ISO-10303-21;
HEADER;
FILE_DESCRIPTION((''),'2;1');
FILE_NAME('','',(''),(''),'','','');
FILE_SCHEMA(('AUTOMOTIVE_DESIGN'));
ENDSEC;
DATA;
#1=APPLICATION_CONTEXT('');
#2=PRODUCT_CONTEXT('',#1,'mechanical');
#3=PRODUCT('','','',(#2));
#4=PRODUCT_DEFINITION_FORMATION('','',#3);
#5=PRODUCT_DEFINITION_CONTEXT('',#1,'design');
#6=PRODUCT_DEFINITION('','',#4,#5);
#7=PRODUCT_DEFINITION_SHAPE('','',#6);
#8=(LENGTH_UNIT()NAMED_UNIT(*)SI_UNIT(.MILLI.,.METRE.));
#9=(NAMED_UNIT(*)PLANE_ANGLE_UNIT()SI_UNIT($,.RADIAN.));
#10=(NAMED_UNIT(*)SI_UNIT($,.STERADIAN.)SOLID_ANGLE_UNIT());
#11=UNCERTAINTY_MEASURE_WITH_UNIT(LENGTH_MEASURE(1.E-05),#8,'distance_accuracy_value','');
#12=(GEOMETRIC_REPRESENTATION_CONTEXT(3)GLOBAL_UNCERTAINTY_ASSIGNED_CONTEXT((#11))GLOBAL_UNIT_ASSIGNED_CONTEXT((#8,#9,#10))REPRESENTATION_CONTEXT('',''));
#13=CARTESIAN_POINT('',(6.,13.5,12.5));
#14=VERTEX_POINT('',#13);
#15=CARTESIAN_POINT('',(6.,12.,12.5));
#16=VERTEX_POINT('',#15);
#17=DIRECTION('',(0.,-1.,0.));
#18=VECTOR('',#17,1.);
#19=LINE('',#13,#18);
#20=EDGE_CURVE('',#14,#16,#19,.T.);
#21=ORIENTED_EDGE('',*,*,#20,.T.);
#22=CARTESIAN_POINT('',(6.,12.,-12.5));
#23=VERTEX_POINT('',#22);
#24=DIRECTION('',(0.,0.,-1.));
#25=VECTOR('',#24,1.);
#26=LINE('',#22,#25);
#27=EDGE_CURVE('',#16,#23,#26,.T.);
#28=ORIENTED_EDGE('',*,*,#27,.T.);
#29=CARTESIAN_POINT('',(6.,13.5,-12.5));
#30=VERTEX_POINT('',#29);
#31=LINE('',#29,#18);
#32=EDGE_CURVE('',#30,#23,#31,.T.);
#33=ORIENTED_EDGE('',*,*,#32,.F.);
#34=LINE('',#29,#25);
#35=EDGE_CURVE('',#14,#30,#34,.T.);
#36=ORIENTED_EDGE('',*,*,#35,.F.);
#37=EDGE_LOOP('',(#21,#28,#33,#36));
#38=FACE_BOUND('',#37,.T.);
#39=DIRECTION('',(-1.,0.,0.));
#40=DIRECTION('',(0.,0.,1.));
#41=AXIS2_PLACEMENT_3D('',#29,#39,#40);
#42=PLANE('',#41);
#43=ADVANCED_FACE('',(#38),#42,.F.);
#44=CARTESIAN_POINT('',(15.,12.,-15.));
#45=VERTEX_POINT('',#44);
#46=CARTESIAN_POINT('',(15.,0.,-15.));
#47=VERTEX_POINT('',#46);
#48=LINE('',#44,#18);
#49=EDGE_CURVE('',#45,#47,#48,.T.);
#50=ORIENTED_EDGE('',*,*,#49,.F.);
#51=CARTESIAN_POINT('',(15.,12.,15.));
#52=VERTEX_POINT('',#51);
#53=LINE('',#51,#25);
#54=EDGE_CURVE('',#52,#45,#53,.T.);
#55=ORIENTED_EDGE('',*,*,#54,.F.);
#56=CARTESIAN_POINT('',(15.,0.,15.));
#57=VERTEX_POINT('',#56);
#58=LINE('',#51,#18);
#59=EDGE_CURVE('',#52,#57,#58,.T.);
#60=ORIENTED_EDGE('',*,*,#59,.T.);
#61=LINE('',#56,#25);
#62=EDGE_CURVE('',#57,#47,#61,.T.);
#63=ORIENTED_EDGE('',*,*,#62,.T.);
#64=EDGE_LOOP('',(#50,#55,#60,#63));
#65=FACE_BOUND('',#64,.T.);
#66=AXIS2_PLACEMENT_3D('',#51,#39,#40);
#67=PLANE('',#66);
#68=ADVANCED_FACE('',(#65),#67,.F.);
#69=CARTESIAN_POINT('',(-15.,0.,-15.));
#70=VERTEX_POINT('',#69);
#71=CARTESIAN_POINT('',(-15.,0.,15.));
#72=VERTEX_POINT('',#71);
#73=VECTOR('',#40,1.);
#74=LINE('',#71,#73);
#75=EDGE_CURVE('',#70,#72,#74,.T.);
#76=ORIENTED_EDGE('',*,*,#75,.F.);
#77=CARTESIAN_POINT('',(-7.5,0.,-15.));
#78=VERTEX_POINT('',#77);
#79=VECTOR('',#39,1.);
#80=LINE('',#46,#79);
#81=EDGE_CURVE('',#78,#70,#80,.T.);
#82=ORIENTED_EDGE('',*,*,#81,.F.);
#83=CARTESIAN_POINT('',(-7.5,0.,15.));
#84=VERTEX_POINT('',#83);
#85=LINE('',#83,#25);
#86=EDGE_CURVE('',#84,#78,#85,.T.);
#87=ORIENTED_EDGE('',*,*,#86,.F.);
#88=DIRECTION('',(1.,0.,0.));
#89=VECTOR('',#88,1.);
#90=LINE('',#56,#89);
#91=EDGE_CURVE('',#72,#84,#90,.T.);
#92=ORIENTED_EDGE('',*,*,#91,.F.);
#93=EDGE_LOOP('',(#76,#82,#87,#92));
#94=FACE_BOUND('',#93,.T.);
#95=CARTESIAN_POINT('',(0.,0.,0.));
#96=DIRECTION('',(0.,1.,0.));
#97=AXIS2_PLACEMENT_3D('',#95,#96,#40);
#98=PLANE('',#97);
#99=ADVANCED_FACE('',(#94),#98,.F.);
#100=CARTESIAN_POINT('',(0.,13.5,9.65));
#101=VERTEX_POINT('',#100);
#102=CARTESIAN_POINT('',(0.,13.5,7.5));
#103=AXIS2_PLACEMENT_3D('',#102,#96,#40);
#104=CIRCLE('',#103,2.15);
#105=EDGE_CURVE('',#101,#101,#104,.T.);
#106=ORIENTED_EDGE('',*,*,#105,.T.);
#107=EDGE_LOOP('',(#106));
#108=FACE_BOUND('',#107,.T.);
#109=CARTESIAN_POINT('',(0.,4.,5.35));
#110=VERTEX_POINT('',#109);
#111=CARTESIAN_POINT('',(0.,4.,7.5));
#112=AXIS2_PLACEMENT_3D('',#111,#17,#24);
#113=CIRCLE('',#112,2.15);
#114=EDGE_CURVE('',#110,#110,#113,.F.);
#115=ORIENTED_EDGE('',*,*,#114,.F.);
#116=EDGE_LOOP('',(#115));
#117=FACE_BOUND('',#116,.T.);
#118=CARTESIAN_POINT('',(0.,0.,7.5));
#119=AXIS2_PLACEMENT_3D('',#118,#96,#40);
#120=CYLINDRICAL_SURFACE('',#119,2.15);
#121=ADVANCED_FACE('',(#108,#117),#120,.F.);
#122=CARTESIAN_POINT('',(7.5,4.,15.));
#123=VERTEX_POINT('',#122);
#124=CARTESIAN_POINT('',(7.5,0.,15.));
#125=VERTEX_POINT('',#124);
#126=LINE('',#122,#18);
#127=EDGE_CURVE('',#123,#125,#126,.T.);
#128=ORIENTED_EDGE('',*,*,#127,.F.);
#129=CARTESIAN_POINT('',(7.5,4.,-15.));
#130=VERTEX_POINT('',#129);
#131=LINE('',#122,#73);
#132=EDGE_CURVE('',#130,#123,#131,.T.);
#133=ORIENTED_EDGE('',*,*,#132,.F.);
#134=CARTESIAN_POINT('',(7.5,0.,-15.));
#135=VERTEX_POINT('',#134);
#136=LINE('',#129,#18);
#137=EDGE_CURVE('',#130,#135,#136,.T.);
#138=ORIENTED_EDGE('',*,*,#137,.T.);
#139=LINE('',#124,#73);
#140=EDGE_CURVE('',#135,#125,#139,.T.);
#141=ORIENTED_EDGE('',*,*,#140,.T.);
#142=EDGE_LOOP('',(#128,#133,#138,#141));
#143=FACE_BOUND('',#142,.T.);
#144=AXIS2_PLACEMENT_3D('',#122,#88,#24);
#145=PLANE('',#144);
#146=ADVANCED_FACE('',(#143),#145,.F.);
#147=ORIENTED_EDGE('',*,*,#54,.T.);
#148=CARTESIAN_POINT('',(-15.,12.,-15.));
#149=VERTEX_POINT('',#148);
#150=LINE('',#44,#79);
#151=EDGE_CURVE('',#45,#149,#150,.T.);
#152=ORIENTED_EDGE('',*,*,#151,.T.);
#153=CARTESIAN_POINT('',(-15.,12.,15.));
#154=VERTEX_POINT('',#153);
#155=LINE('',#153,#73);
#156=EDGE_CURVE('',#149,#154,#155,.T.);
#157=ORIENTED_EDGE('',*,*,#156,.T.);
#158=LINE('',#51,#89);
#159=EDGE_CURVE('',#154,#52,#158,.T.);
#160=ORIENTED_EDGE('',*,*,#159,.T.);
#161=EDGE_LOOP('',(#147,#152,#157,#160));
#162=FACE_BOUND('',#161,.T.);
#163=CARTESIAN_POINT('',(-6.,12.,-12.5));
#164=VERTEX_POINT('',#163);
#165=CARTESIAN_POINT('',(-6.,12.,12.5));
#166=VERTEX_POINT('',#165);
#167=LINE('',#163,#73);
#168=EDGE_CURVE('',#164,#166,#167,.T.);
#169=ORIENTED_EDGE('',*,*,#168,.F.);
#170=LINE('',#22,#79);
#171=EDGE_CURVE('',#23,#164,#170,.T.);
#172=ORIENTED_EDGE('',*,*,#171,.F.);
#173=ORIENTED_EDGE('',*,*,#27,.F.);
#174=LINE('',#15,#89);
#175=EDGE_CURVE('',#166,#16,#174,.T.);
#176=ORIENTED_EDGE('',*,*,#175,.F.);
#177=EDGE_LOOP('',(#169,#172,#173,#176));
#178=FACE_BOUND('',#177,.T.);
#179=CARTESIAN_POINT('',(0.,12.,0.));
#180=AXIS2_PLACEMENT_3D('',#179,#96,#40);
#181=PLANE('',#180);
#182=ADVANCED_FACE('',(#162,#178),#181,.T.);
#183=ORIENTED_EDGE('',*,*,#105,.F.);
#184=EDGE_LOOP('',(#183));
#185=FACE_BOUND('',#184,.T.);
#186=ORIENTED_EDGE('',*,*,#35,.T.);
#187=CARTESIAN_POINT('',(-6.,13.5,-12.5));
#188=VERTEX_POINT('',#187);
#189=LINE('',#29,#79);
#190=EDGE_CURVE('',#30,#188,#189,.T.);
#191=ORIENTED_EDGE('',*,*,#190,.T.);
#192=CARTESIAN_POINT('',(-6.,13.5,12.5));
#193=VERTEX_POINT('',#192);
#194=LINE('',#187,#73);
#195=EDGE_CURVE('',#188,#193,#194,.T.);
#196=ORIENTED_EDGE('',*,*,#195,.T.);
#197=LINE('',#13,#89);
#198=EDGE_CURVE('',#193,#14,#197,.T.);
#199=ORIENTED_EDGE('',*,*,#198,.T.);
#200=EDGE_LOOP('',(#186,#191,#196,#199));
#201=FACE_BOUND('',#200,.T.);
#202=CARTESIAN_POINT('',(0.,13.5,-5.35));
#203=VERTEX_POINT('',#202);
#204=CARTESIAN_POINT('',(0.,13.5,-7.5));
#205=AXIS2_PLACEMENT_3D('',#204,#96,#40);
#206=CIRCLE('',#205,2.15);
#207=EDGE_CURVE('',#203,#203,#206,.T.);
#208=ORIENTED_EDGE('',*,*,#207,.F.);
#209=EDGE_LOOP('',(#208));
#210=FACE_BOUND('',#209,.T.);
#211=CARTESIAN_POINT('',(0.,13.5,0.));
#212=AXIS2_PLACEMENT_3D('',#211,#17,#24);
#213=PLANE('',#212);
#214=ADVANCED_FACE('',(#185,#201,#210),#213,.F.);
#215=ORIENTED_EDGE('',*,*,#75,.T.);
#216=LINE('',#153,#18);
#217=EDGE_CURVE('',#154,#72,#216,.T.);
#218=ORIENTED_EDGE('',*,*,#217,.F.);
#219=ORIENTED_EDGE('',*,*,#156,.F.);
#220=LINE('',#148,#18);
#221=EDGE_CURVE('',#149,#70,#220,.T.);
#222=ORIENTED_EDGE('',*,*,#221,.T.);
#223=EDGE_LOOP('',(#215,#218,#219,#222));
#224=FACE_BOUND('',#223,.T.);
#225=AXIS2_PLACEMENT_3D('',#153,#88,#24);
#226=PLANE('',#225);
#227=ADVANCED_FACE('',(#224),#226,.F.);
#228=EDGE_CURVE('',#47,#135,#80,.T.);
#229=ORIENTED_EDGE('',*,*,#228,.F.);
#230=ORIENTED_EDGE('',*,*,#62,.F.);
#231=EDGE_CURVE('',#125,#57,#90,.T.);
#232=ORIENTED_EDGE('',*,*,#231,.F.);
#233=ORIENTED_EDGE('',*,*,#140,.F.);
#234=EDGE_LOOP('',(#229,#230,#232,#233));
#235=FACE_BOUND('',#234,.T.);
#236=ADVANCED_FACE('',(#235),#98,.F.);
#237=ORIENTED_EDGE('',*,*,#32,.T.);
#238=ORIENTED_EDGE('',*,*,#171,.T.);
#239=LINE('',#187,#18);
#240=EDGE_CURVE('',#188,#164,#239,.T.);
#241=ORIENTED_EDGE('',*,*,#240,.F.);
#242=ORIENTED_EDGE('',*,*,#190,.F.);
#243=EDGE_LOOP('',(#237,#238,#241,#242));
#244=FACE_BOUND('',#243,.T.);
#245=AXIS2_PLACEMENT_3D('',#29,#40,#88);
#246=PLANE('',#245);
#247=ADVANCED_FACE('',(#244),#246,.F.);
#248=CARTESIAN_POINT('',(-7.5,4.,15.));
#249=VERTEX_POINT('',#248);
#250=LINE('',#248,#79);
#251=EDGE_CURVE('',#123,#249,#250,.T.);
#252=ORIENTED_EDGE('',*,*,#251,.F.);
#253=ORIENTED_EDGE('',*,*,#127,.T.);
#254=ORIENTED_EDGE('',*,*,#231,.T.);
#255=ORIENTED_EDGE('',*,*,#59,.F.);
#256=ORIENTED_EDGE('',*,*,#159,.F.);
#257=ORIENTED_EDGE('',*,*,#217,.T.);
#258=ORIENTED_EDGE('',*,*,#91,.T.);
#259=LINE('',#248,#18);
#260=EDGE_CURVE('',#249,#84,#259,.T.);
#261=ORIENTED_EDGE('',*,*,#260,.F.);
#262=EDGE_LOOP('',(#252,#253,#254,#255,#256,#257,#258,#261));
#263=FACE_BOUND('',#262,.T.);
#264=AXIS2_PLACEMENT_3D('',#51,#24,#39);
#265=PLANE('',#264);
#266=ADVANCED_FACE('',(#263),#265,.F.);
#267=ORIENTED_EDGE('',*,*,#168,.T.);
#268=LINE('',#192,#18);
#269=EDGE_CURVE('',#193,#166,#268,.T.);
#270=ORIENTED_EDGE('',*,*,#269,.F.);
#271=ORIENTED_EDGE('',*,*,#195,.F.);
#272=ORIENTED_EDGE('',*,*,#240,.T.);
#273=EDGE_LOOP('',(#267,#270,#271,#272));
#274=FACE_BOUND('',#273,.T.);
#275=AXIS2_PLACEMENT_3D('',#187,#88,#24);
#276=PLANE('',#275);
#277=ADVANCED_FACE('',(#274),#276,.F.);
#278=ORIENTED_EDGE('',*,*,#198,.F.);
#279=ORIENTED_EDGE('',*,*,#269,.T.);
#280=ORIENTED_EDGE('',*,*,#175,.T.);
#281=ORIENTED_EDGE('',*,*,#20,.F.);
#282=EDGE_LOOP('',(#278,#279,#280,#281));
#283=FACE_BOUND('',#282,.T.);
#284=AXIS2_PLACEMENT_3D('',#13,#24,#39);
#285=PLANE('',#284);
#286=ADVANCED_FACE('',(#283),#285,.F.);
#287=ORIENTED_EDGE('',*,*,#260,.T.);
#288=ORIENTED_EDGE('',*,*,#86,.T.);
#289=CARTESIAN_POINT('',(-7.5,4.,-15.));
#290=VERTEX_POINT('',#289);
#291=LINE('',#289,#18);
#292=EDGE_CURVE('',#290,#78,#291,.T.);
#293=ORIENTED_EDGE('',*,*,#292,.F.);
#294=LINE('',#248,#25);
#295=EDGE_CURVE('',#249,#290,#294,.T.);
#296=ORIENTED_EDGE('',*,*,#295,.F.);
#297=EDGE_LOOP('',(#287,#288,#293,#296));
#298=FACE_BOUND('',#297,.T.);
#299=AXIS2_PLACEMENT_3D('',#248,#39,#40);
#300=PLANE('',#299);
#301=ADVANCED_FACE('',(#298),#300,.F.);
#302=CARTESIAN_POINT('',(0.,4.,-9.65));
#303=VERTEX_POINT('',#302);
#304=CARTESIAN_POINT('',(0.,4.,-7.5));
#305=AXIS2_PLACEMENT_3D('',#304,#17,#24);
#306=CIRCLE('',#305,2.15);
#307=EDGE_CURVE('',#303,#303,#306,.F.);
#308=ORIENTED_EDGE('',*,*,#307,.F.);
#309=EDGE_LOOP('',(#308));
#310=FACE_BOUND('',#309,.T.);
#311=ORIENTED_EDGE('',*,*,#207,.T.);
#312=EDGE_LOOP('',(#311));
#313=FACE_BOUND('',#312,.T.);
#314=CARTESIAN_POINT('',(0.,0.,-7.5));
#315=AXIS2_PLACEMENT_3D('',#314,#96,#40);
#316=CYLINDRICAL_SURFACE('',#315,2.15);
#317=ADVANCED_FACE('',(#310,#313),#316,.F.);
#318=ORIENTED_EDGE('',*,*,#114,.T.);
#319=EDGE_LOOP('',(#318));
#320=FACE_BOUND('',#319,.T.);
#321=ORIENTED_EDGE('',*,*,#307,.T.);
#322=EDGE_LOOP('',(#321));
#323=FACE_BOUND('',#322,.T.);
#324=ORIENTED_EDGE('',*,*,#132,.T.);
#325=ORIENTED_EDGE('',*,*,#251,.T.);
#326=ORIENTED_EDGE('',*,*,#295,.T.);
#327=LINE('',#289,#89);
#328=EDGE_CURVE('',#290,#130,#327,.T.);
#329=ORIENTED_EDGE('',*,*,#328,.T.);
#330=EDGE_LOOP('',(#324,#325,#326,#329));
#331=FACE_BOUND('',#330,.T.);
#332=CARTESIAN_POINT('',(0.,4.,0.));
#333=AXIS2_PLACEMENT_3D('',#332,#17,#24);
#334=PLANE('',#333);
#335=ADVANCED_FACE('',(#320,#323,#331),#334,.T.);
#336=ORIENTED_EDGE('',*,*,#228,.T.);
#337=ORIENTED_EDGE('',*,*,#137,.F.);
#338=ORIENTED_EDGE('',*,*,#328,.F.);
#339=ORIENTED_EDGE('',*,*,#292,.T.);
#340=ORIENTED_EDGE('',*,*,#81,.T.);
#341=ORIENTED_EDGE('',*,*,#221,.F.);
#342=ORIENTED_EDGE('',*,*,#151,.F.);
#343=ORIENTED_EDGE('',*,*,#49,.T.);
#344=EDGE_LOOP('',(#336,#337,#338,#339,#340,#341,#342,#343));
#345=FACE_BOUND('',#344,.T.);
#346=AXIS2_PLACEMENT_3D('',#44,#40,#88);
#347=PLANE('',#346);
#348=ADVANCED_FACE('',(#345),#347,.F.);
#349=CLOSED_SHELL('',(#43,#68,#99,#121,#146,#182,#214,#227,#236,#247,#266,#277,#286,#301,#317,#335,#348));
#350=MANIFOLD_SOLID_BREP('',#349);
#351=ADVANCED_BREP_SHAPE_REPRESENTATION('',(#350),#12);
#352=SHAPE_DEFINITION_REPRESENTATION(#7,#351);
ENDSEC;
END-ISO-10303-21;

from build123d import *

# Parameters (mm, degrees)
SKETCH1_W           = 30
SKETCH1_H           = 30
BOSS_EXTRUDE1_DEPTH = 12
SKETCH2_R           = 2.15
CUT_EXTRUDE1_DEPTH  = 25.372115214
BOSS_EXTRUDE2_START = 1.5
SKETCH2_3_W         = 12
SKETCH2_3_H         = 25
SKETCH2_3_R         = 2.15
BOSS_EXTRUDE2_DEPTH = 1.5
SKETCH3_W           = 15
SKETCH3_H           = 30
CUT_EXTRUDE2_DEPTH  = 4


with BuildPart() as part:
    # Sketch1 → Boss-Extrude1 (new body)
    with BuildSketch(Plane(origin=(0, 0, 0), x_dir=(1, 0, 0), z_dir=(0, 1, 0))):
        Rectangle(SKETCH1_W, SKETCH1_H)
    extrude(amount=BOSS_EXTRUDE1_DEPTH)

    # Sketch2 → Cut-Extrude1 (cut, through all)
    with BuildSketch(Plane(origin=(0, 12, 0), x_dir=(1, 0, 0), z_dir=(0, 1, 0))):
        with Locations((0, -7.5)):
            Circle(SKETCH2_R)
        with Locations((0, 7.5)):
            Circle(SKETCH2_R)
    extrude(amount=-CUT_EXTRUDE1_DEPTH, mode=Mode.SUBTRACT)

    # Sketch2<3> → Boss-Extrude2 (add)
    with BuildSketch(Plane(origin=(0, 12, 0), x_dir=(1, 0, 0), z_dir=(0, 1, 0)).offset(BOSS_EXTRUDE2_START)):
        Rectangle(SKETCH2_3_W, SKETCH2_3_H)
        with Locations((0, -7.5)):
            Circle(SKETCH2_3_R, mode=Mode.SUBTRACT)
        with Locations((0, 7.5)):
            Circle(SKETCH2_3_R, mode=Mode.SUBTRACT)
    extrude(amount=-BOSS_EXTRUDE2_DEPTH)

    # Sketch3 → Cut-Extrude2 (cut)
    with BuildSketch(Plane.XZ):
        Rectangle(SKETCH3_W, SKETCH3_H)
    extrude(amount=-CUT_EXTRUDE2_DEPTH, mode=Mode.SUBTRACT)


solid = part.part
